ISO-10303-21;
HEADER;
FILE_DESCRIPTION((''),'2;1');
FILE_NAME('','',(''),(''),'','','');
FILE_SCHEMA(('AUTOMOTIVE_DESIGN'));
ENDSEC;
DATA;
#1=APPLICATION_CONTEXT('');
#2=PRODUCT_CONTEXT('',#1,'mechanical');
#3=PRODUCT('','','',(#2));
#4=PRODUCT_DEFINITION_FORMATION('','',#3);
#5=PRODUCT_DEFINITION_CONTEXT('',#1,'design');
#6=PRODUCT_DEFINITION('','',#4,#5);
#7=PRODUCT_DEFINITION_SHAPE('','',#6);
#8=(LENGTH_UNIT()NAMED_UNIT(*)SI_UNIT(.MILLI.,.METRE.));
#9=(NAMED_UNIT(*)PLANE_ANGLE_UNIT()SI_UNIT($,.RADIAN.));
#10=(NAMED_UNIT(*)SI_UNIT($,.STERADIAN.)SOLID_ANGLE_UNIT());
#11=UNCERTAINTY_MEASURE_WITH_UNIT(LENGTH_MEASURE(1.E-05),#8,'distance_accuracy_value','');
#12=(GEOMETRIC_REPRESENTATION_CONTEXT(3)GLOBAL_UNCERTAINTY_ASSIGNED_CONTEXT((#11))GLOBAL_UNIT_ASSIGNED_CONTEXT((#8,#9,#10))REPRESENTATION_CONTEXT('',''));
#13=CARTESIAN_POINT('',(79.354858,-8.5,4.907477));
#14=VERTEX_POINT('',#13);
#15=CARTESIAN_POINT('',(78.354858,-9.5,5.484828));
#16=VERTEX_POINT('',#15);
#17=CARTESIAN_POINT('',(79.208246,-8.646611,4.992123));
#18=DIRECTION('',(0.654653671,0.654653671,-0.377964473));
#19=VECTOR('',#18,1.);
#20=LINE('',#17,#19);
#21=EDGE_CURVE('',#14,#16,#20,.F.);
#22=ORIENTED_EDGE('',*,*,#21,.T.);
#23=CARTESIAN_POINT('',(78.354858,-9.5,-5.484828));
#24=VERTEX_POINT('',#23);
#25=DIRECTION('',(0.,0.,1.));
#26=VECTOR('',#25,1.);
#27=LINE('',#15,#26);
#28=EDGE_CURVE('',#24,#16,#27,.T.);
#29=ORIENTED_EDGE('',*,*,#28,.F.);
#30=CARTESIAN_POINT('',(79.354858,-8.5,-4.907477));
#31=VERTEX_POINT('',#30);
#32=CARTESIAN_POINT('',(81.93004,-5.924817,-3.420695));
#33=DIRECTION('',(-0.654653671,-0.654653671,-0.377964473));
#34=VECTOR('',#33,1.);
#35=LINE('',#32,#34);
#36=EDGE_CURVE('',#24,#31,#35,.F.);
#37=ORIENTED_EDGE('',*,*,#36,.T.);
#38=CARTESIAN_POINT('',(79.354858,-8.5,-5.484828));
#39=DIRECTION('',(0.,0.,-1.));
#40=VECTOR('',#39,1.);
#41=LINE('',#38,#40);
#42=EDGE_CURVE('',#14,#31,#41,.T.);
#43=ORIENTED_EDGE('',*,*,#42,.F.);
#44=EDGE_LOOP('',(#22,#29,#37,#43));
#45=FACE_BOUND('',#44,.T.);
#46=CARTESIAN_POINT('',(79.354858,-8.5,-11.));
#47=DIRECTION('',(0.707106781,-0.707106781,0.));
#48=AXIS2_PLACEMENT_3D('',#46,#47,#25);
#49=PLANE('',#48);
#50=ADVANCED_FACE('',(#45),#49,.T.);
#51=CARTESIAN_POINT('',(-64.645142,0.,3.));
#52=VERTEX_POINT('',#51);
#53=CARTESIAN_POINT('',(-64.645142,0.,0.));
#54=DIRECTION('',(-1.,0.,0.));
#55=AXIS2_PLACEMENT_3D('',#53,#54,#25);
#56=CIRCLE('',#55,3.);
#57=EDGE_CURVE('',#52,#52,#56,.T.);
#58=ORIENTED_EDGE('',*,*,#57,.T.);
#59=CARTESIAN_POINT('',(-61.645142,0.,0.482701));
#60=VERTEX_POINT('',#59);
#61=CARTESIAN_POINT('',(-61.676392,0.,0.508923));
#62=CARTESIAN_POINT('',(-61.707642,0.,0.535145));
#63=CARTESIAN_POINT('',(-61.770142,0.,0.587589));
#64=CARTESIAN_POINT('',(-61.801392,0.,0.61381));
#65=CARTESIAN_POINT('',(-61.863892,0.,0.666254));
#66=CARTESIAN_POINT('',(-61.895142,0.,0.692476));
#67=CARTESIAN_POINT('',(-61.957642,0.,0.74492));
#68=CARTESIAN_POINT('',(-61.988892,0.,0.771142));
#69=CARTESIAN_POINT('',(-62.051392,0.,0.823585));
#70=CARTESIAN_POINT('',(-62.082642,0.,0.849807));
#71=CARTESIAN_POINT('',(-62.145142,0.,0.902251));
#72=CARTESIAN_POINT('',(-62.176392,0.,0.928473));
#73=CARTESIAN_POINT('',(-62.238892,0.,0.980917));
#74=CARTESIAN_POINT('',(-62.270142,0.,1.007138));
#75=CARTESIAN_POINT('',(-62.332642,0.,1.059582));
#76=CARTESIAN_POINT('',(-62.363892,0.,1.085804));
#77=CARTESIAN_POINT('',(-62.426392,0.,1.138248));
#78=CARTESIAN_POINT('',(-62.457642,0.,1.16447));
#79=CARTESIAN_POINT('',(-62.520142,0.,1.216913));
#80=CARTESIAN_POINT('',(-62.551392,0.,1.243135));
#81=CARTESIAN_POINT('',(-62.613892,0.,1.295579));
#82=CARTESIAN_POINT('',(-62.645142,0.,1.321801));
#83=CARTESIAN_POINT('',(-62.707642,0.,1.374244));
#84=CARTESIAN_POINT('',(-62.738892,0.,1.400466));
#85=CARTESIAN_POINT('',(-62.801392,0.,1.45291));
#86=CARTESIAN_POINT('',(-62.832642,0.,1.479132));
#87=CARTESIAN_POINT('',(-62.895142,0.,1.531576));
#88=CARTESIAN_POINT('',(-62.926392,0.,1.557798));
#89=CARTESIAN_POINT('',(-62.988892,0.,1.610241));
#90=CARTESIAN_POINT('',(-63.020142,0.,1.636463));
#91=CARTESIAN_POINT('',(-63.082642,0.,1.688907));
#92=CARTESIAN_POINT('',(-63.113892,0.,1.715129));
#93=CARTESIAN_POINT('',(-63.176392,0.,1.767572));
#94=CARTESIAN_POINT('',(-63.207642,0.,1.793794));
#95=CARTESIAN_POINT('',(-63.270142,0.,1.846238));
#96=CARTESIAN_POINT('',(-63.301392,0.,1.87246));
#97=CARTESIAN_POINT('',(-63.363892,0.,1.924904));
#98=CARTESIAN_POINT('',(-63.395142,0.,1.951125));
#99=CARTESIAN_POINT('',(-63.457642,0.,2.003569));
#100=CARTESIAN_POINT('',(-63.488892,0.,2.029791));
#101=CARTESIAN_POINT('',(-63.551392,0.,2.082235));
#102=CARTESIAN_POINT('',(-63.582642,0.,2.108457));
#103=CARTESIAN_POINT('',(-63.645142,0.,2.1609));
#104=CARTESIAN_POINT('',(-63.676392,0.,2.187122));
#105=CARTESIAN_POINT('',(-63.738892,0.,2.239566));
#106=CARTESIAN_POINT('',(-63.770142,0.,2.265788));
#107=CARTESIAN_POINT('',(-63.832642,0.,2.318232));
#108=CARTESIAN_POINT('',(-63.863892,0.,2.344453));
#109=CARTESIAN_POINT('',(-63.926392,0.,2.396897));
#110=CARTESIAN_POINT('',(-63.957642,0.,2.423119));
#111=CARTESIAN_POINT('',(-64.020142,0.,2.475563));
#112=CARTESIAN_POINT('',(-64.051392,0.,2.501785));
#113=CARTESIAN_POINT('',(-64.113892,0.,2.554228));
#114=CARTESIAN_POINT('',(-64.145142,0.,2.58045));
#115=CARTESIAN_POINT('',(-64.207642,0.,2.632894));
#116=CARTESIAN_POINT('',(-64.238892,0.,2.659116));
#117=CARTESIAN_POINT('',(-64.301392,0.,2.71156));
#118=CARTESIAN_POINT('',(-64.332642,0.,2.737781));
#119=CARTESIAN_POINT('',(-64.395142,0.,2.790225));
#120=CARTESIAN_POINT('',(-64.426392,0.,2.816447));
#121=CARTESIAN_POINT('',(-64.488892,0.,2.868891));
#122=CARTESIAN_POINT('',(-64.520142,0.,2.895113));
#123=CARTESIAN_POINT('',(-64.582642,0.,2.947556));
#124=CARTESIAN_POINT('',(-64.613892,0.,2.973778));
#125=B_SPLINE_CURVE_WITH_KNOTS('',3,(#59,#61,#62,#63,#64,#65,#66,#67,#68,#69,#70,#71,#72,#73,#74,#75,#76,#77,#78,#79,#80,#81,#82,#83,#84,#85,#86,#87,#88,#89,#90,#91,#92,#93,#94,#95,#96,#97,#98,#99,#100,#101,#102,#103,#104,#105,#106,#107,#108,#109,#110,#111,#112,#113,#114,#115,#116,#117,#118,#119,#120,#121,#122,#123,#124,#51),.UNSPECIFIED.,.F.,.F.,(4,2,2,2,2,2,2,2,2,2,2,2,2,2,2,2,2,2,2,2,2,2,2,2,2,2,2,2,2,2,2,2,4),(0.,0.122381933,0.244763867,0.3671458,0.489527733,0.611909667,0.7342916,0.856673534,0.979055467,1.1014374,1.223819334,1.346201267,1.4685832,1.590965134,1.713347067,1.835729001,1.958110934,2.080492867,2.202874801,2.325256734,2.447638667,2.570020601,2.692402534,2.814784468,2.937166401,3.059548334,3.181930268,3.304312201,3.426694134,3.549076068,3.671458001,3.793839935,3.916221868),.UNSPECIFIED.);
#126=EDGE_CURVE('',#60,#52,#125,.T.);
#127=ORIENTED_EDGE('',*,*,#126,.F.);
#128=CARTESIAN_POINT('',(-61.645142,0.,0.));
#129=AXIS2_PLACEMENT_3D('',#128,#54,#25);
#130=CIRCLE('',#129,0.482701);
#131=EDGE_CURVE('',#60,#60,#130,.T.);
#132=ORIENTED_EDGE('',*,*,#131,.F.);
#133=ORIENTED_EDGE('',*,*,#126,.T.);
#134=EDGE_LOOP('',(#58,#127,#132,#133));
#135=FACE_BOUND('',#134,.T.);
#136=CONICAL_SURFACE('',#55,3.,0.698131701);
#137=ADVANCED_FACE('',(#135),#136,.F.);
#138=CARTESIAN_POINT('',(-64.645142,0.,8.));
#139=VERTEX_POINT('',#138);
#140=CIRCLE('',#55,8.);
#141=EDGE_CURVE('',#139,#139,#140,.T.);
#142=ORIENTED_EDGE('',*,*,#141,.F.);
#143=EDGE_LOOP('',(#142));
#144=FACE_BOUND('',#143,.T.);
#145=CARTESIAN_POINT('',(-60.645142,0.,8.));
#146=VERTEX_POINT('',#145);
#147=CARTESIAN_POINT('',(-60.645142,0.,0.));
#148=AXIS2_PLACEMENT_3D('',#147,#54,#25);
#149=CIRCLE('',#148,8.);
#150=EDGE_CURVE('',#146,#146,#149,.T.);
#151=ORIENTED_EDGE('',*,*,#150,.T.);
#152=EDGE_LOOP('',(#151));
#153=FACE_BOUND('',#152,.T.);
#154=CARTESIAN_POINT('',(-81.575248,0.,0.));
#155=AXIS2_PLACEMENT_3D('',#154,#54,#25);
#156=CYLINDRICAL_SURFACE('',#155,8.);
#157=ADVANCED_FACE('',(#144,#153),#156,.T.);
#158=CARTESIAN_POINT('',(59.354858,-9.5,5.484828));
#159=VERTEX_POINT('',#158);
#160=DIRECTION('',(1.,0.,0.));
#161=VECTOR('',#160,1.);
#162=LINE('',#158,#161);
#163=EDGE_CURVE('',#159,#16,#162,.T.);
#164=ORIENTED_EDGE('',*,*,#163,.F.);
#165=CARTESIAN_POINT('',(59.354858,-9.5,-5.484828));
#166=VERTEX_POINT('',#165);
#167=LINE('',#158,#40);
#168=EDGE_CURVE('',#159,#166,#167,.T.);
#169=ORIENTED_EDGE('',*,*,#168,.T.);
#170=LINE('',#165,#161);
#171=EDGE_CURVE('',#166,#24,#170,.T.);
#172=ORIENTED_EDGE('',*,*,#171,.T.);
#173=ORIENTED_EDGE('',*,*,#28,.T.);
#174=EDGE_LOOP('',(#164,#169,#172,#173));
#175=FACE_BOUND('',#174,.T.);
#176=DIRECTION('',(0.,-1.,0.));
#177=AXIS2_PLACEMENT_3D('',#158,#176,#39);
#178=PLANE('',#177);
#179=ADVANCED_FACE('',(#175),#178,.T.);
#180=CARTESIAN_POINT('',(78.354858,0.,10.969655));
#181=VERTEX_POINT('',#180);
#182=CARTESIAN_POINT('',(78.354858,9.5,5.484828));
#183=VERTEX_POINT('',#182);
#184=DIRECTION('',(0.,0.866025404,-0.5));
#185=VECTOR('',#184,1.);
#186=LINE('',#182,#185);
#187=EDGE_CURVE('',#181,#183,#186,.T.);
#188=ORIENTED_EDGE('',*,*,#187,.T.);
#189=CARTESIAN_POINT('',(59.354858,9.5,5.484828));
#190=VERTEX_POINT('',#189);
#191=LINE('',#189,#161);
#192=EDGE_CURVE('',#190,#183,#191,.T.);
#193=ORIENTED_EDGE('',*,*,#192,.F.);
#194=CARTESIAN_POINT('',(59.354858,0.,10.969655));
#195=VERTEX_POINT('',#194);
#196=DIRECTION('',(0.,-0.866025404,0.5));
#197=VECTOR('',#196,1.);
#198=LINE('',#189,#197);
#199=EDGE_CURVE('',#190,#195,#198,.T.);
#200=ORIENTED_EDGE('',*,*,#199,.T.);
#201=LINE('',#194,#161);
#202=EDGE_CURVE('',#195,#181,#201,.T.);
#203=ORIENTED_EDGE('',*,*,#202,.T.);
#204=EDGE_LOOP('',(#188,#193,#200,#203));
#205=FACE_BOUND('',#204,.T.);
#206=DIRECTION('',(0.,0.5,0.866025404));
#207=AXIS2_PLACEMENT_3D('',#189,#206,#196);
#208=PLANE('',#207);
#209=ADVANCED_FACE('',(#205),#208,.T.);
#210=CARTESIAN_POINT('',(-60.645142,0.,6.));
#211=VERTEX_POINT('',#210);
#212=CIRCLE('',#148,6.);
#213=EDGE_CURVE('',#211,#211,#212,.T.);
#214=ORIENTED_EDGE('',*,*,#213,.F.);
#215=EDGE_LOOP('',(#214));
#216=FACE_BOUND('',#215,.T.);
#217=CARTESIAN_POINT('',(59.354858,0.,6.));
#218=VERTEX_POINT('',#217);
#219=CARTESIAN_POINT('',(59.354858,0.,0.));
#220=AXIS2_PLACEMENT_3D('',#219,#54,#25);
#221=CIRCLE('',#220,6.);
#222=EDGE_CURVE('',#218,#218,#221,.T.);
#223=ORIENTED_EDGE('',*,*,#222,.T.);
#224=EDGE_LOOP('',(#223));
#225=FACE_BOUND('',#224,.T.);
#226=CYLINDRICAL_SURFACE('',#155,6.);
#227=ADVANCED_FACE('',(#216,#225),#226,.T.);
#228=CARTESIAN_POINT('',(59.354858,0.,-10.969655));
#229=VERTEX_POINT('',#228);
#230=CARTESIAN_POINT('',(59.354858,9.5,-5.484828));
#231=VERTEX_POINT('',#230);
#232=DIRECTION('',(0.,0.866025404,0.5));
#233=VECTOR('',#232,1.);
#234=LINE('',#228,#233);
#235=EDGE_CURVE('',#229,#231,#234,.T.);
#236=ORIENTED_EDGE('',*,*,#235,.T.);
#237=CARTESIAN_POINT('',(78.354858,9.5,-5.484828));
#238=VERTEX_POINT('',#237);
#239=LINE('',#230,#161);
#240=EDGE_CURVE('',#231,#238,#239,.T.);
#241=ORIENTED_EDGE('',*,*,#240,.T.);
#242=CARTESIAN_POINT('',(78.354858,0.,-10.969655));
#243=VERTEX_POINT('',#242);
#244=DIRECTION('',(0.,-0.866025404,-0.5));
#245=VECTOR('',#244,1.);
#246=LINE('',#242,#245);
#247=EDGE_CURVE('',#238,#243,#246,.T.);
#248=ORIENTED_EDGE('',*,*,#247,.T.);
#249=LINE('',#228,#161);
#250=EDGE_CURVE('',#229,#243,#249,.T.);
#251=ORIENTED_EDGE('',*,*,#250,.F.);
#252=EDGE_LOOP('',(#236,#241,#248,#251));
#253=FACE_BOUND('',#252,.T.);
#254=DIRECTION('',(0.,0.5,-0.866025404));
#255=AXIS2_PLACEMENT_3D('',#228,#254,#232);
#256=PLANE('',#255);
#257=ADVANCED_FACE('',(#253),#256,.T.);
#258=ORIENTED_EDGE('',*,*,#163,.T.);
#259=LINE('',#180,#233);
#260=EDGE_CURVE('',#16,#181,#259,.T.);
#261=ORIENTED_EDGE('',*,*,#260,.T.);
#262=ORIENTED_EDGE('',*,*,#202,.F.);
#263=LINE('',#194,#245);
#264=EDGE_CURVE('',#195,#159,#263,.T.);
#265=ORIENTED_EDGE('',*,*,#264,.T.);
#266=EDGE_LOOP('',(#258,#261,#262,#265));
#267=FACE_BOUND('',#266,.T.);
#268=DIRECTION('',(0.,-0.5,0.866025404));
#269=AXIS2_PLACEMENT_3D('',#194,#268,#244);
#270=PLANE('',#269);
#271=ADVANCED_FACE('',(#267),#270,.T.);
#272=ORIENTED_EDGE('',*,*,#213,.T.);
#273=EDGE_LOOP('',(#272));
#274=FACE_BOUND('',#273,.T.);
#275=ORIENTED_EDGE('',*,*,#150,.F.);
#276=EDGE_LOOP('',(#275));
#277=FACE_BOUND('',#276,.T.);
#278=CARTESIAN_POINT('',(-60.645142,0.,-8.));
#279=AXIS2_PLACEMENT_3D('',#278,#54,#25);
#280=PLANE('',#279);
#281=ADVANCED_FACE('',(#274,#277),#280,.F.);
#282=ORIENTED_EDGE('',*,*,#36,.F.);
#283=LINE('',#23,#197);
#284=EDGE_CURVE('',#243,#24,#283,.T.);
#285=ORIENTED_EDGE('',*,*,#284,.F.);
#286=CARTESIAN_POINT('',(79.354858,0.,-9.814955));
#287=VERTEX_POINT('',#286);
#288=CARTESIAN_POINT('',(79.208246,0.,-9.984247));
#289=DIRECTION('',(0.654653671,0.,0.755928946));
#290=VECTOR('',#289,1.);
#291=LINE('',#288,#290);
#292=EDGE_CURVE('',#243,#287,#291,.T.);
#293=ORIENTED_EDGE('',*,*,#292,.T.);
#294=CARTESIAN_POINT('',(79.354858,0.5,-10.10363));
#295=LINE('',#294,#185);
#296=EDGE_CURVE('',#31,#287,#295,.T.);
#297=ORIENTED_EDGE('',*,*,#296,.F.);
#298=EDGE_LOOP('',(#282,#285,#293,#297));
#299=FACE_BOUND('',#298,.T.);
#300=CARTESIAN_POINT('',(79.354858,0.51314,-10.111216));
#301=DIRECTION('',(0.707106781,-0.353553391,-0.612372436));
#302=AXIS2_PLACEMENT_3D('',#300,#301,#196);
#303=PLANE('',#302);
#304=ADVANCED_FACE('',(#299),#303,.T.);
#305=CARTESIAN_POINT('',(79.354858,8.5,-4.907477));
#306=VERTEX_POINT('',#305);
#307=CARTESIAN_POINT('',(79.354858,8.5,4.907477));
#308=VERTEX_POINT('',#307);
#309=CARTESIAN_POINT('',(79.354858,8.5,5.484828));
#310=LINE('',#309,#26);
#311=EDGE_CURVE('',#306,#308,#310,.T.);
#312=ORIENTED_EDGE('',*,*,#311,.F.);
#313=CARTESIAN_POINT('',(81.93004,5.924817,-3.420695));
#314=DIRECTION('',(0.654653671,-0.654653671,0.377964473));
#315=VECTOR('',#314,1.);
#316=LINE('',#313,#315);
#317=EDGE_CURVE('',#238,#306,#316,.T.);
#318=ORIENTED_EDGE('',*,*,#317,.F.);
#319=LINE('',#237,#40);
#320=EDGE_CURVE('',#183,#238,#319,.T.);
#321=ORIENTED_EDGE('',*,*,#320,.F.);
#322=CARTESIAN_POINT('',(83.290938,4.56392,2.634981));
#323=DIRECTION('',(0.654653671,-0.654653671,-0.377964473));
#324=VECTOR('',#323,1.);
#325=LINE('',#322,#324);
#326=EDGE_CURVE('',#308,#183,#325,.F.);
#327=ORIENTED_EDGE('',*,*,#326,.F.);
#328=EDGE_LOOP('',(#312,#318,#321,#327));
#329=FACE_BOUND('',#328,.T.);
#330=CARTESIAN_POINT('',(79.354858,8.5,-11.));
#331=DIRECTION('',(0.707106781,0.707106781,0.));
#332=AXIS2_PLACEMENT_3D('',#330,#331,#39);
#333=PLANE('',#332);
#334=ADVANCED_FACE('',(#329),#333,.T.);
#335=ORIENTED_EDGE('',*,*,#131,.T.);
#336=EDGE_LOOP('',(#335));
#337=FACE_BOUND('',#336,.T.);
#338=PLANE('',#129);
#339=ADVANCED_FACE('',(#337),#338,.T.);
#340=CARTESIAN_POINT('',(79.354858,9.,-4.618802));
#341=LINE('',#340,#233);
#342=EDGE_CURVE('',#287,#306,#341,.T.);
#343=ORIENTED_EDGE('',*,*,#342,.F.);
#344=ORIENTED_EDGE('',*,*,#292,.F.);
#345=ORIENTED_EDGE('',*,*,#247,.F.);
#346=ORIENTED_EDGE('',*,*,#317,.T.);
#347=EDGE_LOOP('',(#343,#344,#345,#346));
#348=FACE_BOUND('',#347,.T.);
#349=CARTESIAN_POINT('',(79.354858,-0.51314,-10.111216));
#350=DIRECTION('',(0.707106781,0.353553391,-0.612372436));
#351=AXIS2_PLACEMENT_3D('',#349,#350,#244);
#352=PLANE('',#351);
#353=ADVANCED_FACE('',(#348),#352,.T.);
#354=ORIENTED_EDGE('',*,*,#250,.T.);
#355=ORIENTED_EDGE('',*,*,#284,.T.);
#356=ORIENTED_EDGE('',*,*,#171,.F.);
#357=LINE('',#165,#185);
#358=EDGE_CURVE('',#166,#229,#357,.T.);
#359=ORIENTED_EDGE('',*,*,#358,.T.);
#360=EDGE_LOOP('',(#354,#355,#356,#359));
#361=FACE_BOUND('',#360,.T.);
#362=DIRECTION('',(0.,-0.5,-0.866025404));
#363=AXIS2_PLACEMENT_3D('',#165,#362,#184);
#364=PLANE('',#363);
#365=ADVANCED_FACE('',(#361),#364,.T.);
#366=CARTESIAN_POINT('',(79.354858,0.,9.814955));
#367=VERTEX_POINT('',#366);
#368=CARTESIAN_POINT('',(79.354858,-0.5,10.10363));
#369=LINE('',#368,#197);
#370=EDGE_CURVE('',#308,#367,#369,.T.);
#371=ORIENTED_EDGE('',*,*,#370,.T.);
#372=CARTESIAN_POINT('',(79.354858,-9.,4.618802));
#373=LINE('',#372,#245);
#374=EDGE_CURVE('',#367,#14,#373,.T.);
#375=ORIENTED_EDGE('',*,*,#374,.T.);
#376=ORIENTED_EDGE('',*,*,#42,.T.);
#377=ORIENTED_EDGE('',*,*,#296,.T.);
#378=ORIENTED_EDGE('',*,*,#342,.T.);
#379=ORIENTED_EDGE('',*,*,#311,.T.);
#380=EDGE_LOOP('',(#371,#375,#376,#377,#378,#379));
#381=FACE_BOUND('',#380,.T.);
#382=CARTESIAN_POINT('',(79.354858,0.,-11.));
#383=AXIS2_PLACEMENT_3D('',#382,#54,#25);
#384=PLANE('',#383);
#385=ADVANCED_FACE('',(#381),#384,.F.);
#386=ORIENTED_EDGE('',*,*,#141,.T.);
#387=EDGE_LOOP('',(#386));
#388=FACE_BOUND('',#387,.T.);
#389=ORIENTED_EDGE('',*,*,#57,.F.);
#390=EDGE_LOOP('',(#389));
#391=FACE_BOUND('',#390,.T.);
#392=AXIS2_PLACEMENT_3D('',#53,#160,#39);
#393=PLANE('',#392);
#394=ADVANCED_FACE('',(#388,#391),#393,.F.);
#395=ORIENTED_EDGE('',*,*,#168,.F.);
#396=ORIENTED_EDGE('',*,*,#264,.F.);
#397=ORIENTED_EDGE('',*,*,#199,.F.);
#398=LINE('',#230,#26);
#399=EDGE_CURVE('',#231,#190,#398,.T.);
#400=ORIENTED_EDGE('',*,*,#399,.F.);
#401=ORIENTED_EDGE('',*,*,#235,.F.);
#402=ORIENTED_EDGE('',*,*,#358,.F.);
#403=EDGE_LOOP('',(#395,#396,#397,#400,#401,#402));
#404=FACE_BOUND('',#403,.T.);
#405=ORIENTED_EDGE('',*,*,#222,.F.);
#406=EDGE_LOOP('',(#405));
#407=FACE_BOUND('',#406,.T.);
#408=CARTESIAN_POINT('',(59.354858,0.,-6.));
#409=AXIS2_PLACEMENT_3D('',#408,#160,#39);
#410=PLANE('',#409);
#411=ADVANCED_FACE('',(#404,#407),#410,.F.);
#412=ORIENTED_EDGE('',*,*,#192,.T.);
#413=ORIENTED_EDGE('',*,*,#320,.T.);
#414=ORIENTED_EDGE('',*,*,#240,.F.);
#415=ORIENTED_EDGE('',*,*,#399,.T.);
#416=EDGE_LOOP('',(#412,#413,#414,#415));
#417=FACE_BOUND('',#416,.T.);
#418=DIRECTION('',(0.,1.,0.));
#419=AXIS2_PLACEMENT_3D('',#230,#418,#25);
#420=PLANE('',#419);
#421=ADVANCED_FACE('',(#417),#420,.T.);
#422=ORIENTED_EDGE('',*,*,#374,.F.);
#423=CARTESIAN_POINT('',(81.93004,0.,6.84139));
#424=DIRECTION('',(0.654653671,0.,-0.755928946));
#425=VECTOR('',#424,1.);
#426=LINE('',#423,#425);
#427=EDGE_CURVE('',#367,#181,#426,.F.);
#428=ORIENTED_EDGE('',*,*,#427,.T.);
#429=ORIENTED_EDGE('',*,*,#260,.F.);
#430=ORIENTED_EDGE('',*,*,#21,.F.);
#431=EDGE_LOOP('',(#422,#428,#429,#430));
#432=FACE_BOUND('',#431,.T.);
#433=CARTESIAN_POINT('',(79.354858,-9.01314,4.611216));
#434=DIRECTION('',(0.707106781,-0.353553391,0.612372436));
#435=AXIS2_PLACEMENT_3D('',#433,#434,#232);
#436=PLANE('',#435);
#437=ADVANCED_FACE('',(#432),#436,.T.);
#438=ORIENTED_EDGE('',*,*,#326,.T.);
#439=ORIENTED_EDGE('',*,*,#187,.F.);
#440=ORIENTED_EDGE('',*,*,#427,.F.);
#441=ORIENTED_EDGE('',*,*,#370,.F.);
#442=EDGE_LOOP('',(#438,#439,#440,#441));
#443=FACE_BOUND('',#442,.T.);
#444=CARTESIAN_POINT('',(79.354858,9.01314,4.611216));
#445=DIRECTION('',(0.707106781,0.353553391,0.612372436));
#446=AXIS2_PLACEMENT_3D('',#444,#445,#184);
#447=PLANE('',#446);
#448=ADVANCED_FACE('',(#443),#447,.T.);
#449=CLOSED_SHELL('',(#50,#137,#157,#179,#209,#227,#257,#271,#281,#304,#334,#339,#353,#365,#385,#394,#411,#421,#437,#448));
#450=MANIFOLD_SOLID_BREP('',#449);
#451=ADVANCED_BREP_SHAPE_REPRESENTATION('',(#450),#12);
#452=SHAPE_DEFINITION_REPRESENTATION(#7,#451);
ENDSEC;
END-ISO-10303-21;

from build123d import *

# Parameters (mm, degrees)
SKETCH_2_OUTSIDE_W  = 53.464
SKETCH_2_OUTSIDE_H  = 53.464
CUT_EXTRUDE_1_DEPTH = 20
CHAMFER_1_SIZE      = 1
SKETCH_3_R          = 3
CUT_EXTRUDE_2_DEPTH = 3
CUT_EXTRUDE_2_DRAFT = -40


with BuildPart() as part:
    # Эскиз1 → Повернуть1 (revolve)
    with BuildSketch(Plane(origin=(0, 0, 0), x_dir=(1, 0, 0), z_dir=(0, 1, 0)), mode=Mode.PRIVATE) as revolve_1_sk:
        Polygon((-64.645142278, 0), (-64.645142278, 8), (-60.645142278, 8), (-60.645142278, 6), (59.354857722, 6), (59.354857722, 11), (79.354857722, 11), (79.354857722, 0), align=None)
    revolve(revolve_1_sk.sketch.rotate(Axis((-81.575248185, 0, 0), (1, 0, 0)), 180), axis=Axis((-81.575248185, 0, 0), (1, 0, 0)))

    # Эскиз2 outside → Вырез-Вытянуть1 (cut)
    with BuildSketch(Plane(origin=(79.354857722, 0, 0), x_dir=(0, 0, -1), z_dir=(1, 0, 0))):
        Rectangle(SKETCH_2_OUTSIDE_W, SKETCH_2_OUTSIDE_H)
        Polygon((10.969655115, 0), (5.484827557, 9.5), (-5.484827557, 9.5), (-10.969655115, 0), (-5.484827557, -9.5), (5.484827557, -9.5), align=None, mode=Mode.SUBTRACT)
    extrude(amount=-CUT_EXTRUDE_1_DEPTH, mode=Mode.SUBTRACT)

    # Фаска1
    chamfer_1_edges = [part.edges().sort_by_distance(p)[0] for p in [
        (79.354857722, -4.75, -8.227241336),
        (79.354857722, -9.5, 0),
        (79.354857722, -4.75, 8.227241336),
        (79.354857722, 4.75, 8.227241336),
        (79.354857722, 9.5, 0),
        (79.354857722, 4.75, -8.227241336),
    ]]
    chamfer(chamfer_1_edges, length=CHAMFER_1_SIZE)


with BuildPart() as cut_extrude_2_tool:
    # Эскиз3 → Вырез-Вытянуть2 (with draft: the straight prism first)
    with BuildSketch(Plane.ZY.offset(64.645142278)):
        Circle(SKETCH_3_R)
    extrude(amount=-CUT_EXTRUDE_2_DEPTH)
    # Вырез-Вытянуть2: the draft: its side faces are tilted about the plane it starts from
    cut_extrude_2_sides = [cut_extrude_2_tool.faces().sort_by_distance(p)[0] for p in [
        (-63.145142278, 0, -3),
    ]]
    draft(cut_extrude_2_sides, Plane.ZY.offset(64.645142278), CUT_EXTRUDE_2_DRAFT)


with BuildPart() as part_1:
    add(part.part)

    # Вырез-Вытянуть2: cut by cut_extrude_2_tool
    add(cut_extrude_2_tool.part, mode=Mode.SUBTRACT)


solid = part_1.part
